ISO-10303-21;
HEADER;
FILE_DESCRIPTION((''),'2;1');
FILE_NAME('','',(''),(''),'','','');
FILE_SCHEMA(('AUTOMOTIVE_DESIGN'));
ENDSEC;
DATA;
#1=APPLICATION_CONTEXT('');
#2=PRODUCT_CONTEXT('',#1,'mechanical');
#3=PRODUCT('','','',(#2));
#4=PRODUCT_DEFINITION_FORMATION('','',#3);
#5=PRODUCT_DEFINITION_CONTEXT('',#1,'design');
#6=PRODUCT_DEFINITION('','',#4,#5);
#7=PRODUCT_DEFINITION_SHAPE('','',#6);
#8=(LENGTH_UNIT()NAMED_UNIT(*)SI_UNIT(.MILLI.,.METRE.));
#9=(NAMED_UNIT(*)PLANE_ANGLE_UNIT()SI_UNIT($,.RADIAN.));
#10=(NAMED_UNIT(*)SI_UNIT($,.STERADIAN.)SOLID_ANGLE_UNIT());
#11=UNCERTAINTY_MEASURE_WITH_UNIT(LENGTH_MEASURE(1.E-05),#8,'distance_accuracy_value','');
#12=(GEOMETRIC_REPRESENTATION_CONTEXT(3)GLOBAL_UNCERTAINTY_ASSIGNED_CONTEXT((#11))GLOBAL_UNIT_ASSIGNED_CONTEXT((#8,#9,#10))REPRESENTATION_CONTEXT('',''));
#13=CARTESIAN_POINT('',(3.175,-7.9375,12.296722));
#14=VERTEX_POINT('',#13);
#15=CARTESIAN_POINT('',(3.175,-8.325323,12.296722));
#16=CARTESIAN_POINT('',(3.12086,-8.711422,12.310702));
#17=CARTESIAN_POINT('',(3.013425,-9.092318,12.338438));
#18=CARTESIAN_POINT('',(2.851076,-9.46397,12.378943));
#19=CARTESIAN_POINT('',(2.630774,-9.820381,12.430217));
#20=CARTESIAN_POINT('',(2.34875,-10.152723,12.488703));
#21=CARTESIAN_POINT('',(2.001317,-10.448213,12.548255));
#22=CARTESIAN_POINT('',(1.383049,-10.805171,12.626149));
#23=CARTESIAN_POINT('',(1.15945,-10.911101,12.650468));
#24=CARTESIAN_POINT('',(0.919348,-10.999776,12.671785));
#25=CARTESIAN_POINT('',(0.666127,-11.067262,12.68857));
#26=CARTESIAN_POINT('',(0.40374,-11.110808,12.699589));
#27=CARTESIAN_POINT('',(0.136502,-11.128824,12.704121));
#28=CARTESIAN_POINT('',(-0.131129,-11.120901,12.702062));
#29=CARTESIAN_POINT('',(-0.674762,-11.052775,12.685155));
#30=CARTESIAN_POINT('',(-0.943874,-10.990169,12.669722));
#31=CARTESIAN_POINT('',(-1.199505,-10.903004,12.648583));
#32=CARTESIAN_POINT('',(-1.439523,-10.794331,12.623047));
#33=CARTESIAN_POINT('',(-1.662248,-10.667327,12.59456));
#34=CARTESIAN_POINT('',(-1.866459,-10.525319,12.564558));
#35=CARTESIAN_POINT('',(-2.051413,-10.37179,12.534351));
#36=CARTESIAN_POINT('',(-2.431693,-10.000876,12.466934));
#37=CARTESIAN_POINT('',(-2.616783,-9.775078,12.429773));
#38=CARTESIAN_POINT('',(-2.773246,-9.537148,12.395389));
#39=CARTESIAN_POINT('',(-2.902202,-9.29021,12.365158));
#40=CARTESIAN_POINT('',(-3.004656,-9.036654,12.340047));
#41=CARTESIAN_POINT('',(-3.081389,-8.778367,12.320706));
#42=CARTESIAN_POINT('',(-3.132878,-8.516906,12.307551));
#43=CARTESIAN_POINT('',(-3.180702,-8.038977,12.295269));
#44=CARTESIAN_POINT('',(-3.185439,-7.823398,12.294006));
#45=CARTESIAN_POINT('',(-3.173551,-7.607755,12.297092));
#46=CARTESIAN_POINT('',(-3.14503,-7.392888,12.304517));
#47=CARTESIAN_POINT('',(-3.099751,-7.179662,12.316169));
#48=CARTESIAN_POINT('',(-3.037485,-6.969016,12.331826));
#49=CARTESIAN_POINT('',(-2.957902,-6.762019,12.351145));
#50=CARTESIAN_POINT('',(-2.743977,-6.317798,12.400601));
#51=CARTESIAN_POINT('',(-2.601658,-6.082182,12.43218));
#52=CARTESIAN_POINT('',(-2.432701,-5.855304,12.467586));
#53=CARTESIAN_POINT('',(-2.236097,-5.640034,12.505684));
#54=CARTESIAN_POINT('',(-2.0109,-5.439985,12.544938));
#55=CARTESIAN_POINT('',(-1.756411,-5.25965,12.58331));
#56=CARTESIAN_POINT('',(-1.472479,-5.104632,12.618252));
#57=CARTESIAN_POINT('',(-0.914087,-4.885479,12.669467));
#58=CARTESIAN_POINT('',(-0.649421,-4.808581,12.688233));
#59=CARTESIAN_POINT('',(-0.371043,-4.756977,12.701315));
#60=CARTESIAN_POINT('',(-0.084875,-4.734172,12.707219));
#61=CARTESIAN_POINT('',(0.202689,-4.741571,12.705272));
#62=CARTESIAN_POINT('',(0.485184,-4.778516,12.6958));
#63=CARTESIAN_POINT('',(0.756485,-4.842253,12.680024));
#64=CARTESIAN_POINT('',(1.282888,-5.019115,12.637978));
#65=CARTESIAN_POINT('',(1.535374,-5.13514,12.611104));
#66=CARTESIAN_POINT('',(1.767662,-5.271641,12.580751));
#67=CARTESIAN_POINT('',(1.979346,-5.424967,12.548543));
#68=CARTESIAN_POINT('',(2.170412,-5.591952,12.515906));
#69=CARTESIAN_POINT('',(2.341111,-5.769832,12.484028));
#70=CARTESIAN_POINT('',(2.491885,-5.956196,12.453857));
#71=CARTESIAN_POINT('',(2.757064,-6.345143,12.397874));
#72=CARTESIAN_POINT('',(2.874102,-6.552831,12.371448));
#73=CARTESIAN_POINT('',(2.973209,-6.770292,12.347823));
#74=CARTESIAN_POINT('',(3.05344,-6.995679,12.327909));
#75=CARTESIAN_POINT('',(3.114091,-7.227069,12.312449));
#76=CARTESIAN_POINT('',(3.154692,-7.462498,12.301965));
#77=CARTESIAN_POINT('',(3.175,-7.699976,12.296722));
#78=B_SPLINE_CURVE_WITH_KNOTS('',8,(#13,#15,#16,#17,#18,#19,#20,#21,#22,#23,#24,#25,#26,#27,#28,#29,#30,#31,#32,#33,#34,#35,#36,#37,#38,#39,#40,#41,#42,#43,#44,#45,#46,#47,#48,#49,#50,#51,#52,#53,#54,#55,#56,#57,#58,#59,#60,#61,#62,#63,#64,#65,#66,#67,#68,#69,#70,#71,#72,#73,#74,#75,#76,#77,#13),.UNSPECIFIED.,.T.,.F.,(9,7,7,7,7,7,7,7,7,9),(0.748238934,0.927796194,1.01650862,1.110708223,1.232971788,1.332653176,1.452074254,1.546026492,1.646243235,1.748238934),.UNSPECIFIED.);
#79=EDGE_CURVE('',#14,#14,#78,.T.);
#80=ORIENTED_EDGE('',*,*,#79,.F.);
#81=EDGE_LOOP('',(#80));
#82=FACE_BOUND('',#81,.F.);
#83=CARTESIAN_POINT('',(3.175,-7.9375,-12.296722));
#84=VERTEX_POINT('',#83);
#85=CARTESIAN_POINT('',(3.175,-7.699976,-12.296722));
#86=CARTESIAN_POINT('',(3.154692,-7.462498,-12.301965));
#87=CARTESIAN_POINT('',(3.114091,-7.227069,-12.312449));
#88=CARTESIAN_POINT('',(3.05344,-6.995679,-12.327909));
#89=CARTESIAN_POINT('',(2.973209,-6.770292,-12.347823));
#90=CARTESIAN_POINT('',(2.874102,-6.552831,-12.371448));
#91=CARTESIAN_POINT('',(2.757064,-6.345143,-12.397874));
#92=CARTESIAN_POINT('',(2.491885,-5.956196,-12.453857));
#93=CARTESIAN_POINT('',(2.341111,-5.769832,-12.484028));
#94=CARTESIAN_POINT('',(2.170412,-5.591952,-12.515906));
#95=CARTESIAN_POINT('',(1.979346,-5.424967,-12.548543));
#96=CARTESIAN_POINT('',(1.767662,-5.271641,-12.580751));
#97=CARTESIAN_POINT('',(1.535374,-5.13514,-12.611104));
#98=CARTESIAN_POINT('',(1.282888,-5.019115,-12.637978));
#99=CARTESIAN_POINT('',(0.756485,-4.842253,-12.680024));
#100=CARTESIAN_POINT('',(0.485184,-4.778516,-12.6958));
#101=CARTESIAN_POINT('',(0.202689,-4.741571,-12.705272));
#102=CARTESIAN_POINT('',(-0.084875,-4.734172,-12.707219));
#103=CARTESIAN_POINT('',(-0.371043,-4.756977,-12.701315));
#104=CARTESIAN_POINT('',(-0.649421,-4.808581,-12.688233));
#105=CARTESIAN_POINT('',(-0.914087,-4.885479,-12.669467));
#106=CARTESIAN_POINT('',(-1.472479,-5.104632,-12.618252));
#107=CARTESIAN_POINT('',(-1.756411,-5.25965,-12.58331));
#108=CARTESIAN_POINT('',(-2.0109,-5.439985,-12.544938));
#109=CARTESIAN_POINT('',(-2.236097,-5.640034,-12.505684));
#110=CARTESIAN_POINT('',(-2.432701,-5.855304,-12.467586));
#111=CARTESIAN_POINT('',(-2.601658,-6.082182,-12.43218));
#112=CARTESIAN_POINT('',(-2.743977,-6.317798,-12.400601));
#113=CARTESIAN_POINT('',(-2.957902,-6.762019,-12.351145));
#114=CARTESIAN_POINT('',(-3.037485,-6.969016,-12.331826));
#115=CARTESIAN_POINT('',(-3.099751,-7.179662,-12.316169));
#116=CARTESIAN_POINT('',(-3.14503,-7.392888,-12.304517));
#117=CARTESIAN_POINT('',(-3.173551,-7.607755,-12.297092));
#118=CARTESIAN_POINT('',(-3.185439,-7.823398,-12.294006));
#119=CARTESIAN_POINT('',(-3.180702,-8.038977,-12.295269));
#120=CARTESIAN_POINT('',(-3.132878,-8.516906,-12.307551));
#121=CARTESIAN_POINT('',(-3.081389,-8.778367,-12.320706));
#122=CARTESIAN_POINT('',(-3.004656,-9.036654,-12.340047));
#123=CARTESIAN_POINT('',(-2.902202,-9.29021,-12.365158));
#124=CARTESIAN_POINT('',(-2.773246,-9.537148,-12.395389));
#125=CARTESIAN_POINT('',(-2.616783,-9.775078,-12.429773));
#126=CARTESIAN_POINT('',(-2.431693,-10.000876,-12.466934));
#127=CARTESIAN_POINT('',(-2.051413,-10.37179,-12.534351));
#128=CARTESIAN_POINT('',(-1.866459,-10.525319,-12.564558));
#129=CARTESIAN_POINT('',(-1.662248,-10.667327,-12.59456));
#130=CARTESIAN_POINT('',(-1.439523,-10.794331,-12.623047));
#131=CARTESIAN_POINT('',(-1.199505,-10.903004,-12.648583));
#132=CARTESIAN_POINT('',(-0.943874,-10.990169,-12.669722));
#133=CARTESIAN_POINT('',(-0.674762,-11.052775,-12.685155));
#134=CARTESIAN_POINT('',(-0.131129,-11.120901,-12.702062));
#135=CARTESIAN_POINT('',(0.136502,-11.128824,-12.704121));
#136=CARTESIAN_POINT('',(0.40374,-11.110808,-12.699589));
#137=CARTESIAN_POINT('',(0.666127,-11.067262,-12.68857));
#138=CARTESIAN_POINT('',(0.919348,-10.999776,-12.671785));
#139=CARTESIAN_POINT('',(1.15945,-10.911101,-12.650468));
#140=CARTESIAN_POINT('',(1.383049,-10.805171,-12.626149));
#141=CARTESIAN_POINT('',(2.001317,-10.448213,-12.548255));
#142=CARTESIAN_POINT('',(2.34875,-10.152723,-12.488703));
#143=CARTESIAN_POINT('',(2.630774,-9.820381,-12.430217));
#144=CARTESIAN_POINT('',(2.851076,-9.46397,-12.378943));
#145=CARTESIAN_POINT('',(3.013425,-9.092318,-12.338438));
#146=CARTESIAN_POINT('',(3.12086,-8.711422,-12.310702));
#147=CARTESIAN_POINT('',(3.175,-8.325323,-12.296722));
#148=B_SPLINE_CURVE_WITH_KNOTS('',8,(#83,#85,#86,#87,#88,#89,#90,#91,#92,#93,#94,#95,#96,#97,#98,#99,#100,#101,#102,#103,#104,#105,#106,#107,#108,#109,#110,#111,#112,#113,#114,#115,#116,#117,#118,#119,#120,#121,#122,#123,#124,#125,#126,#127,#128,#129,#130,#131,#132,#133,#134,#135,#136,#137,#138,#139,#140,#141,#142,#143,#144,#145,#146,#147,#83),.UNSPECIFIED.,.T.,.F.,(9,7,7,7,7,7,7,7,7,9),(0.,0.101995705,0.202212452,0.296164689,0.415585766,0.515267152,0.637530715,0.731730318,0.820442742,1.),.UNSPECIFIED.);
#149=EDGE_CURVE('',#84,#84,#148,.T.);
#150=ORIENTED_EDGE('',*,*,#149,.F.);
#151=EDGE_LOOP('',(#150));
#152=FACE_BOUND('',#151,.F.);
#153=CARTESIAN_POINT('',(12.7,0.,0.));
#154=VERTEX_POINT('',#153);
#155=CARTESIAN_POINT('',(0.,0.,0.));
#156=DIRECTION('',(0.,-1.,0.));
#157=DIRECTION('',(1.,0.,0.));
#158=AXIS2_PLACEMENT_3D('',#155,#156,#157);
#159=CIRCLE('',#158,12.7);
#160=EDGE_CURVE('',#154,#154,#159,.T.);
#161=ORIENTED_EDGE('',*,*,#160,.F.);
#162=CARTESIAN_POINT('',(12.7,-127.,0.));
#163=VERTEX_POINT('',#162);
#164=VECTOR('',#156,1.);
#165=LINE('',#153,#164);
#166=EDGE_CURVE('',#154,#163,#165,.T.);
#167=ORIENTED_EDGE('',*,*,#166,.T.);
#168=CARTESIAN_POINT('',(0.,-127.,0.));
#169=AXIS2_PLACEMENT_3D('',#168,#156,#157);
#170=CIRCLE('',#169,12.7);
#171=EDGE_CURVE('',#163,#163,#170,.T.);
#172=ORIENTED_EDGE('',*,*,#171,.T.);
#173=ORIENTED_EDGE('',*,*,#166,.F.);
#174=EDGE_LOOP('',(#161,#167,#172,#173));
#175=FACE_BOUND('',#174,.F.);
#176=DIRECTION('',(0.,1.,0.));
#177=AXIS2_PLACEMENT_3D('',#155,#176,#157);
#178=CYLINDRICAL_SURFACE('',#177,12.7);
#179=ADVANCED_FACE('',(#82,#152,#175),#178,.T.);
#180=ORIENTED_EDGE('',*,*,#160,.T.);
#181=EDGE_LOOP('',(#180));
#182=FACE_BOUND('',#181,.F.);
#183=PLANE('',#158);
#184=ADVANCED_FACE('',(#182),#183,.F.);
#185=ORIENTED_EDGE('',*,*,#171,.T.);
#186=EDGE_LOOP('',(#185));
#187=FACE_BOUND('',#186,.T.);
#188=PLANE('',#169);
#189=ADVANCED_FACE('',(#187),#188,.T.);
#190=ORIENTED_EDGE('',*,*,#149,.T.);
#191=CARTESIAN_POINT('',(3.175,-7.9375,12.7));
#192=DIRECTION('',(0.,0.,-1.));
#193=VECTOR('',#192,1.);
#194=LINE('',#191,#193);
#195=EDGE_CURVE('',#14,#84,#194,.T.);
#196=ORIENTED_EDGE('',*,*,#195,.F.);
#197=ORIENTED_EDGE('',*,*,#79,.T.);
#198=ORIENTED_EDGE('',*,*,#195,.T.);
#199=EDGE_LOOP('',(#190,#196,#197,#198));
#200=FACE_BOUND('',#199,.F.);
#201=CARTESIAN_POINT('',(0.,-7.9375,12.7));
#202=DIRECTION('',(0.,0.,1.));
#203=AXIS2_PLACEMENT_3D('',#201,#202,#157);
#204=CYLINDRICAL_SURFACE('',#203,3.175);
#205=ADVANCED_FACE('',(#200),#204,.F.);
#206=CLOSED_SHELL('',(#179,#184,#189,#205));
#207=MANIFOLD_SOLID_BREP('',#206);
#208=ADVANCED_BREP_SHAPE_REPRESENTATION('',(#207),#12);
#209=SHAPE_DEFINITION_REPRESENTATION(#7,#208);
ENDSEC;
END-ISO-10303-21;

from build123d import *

# Parameters (mm, degrees)
F0_R     = 12.7
F1_DEPTH = 127
F3_R     = 3.175
F4_DEPTH = 25.401


with BuildPart() as f1:
    # F0 (on Front) → F1 (new body)
    with BuildSketch(Plane.XZ):
        Circle(F0_R)
    extrude(amount=F1_DEPTH)

    # F3 (on offset) → F4 (cut, through all)
    with BuildSketch(Plane.XY.offset(12.7)):
        with Locations((0, -7.9375)):
            Circle(F3_R)
    extrude(amount=-F4_DEPTH, mode=Mode.SUBTRACT)


solid = f1.part
